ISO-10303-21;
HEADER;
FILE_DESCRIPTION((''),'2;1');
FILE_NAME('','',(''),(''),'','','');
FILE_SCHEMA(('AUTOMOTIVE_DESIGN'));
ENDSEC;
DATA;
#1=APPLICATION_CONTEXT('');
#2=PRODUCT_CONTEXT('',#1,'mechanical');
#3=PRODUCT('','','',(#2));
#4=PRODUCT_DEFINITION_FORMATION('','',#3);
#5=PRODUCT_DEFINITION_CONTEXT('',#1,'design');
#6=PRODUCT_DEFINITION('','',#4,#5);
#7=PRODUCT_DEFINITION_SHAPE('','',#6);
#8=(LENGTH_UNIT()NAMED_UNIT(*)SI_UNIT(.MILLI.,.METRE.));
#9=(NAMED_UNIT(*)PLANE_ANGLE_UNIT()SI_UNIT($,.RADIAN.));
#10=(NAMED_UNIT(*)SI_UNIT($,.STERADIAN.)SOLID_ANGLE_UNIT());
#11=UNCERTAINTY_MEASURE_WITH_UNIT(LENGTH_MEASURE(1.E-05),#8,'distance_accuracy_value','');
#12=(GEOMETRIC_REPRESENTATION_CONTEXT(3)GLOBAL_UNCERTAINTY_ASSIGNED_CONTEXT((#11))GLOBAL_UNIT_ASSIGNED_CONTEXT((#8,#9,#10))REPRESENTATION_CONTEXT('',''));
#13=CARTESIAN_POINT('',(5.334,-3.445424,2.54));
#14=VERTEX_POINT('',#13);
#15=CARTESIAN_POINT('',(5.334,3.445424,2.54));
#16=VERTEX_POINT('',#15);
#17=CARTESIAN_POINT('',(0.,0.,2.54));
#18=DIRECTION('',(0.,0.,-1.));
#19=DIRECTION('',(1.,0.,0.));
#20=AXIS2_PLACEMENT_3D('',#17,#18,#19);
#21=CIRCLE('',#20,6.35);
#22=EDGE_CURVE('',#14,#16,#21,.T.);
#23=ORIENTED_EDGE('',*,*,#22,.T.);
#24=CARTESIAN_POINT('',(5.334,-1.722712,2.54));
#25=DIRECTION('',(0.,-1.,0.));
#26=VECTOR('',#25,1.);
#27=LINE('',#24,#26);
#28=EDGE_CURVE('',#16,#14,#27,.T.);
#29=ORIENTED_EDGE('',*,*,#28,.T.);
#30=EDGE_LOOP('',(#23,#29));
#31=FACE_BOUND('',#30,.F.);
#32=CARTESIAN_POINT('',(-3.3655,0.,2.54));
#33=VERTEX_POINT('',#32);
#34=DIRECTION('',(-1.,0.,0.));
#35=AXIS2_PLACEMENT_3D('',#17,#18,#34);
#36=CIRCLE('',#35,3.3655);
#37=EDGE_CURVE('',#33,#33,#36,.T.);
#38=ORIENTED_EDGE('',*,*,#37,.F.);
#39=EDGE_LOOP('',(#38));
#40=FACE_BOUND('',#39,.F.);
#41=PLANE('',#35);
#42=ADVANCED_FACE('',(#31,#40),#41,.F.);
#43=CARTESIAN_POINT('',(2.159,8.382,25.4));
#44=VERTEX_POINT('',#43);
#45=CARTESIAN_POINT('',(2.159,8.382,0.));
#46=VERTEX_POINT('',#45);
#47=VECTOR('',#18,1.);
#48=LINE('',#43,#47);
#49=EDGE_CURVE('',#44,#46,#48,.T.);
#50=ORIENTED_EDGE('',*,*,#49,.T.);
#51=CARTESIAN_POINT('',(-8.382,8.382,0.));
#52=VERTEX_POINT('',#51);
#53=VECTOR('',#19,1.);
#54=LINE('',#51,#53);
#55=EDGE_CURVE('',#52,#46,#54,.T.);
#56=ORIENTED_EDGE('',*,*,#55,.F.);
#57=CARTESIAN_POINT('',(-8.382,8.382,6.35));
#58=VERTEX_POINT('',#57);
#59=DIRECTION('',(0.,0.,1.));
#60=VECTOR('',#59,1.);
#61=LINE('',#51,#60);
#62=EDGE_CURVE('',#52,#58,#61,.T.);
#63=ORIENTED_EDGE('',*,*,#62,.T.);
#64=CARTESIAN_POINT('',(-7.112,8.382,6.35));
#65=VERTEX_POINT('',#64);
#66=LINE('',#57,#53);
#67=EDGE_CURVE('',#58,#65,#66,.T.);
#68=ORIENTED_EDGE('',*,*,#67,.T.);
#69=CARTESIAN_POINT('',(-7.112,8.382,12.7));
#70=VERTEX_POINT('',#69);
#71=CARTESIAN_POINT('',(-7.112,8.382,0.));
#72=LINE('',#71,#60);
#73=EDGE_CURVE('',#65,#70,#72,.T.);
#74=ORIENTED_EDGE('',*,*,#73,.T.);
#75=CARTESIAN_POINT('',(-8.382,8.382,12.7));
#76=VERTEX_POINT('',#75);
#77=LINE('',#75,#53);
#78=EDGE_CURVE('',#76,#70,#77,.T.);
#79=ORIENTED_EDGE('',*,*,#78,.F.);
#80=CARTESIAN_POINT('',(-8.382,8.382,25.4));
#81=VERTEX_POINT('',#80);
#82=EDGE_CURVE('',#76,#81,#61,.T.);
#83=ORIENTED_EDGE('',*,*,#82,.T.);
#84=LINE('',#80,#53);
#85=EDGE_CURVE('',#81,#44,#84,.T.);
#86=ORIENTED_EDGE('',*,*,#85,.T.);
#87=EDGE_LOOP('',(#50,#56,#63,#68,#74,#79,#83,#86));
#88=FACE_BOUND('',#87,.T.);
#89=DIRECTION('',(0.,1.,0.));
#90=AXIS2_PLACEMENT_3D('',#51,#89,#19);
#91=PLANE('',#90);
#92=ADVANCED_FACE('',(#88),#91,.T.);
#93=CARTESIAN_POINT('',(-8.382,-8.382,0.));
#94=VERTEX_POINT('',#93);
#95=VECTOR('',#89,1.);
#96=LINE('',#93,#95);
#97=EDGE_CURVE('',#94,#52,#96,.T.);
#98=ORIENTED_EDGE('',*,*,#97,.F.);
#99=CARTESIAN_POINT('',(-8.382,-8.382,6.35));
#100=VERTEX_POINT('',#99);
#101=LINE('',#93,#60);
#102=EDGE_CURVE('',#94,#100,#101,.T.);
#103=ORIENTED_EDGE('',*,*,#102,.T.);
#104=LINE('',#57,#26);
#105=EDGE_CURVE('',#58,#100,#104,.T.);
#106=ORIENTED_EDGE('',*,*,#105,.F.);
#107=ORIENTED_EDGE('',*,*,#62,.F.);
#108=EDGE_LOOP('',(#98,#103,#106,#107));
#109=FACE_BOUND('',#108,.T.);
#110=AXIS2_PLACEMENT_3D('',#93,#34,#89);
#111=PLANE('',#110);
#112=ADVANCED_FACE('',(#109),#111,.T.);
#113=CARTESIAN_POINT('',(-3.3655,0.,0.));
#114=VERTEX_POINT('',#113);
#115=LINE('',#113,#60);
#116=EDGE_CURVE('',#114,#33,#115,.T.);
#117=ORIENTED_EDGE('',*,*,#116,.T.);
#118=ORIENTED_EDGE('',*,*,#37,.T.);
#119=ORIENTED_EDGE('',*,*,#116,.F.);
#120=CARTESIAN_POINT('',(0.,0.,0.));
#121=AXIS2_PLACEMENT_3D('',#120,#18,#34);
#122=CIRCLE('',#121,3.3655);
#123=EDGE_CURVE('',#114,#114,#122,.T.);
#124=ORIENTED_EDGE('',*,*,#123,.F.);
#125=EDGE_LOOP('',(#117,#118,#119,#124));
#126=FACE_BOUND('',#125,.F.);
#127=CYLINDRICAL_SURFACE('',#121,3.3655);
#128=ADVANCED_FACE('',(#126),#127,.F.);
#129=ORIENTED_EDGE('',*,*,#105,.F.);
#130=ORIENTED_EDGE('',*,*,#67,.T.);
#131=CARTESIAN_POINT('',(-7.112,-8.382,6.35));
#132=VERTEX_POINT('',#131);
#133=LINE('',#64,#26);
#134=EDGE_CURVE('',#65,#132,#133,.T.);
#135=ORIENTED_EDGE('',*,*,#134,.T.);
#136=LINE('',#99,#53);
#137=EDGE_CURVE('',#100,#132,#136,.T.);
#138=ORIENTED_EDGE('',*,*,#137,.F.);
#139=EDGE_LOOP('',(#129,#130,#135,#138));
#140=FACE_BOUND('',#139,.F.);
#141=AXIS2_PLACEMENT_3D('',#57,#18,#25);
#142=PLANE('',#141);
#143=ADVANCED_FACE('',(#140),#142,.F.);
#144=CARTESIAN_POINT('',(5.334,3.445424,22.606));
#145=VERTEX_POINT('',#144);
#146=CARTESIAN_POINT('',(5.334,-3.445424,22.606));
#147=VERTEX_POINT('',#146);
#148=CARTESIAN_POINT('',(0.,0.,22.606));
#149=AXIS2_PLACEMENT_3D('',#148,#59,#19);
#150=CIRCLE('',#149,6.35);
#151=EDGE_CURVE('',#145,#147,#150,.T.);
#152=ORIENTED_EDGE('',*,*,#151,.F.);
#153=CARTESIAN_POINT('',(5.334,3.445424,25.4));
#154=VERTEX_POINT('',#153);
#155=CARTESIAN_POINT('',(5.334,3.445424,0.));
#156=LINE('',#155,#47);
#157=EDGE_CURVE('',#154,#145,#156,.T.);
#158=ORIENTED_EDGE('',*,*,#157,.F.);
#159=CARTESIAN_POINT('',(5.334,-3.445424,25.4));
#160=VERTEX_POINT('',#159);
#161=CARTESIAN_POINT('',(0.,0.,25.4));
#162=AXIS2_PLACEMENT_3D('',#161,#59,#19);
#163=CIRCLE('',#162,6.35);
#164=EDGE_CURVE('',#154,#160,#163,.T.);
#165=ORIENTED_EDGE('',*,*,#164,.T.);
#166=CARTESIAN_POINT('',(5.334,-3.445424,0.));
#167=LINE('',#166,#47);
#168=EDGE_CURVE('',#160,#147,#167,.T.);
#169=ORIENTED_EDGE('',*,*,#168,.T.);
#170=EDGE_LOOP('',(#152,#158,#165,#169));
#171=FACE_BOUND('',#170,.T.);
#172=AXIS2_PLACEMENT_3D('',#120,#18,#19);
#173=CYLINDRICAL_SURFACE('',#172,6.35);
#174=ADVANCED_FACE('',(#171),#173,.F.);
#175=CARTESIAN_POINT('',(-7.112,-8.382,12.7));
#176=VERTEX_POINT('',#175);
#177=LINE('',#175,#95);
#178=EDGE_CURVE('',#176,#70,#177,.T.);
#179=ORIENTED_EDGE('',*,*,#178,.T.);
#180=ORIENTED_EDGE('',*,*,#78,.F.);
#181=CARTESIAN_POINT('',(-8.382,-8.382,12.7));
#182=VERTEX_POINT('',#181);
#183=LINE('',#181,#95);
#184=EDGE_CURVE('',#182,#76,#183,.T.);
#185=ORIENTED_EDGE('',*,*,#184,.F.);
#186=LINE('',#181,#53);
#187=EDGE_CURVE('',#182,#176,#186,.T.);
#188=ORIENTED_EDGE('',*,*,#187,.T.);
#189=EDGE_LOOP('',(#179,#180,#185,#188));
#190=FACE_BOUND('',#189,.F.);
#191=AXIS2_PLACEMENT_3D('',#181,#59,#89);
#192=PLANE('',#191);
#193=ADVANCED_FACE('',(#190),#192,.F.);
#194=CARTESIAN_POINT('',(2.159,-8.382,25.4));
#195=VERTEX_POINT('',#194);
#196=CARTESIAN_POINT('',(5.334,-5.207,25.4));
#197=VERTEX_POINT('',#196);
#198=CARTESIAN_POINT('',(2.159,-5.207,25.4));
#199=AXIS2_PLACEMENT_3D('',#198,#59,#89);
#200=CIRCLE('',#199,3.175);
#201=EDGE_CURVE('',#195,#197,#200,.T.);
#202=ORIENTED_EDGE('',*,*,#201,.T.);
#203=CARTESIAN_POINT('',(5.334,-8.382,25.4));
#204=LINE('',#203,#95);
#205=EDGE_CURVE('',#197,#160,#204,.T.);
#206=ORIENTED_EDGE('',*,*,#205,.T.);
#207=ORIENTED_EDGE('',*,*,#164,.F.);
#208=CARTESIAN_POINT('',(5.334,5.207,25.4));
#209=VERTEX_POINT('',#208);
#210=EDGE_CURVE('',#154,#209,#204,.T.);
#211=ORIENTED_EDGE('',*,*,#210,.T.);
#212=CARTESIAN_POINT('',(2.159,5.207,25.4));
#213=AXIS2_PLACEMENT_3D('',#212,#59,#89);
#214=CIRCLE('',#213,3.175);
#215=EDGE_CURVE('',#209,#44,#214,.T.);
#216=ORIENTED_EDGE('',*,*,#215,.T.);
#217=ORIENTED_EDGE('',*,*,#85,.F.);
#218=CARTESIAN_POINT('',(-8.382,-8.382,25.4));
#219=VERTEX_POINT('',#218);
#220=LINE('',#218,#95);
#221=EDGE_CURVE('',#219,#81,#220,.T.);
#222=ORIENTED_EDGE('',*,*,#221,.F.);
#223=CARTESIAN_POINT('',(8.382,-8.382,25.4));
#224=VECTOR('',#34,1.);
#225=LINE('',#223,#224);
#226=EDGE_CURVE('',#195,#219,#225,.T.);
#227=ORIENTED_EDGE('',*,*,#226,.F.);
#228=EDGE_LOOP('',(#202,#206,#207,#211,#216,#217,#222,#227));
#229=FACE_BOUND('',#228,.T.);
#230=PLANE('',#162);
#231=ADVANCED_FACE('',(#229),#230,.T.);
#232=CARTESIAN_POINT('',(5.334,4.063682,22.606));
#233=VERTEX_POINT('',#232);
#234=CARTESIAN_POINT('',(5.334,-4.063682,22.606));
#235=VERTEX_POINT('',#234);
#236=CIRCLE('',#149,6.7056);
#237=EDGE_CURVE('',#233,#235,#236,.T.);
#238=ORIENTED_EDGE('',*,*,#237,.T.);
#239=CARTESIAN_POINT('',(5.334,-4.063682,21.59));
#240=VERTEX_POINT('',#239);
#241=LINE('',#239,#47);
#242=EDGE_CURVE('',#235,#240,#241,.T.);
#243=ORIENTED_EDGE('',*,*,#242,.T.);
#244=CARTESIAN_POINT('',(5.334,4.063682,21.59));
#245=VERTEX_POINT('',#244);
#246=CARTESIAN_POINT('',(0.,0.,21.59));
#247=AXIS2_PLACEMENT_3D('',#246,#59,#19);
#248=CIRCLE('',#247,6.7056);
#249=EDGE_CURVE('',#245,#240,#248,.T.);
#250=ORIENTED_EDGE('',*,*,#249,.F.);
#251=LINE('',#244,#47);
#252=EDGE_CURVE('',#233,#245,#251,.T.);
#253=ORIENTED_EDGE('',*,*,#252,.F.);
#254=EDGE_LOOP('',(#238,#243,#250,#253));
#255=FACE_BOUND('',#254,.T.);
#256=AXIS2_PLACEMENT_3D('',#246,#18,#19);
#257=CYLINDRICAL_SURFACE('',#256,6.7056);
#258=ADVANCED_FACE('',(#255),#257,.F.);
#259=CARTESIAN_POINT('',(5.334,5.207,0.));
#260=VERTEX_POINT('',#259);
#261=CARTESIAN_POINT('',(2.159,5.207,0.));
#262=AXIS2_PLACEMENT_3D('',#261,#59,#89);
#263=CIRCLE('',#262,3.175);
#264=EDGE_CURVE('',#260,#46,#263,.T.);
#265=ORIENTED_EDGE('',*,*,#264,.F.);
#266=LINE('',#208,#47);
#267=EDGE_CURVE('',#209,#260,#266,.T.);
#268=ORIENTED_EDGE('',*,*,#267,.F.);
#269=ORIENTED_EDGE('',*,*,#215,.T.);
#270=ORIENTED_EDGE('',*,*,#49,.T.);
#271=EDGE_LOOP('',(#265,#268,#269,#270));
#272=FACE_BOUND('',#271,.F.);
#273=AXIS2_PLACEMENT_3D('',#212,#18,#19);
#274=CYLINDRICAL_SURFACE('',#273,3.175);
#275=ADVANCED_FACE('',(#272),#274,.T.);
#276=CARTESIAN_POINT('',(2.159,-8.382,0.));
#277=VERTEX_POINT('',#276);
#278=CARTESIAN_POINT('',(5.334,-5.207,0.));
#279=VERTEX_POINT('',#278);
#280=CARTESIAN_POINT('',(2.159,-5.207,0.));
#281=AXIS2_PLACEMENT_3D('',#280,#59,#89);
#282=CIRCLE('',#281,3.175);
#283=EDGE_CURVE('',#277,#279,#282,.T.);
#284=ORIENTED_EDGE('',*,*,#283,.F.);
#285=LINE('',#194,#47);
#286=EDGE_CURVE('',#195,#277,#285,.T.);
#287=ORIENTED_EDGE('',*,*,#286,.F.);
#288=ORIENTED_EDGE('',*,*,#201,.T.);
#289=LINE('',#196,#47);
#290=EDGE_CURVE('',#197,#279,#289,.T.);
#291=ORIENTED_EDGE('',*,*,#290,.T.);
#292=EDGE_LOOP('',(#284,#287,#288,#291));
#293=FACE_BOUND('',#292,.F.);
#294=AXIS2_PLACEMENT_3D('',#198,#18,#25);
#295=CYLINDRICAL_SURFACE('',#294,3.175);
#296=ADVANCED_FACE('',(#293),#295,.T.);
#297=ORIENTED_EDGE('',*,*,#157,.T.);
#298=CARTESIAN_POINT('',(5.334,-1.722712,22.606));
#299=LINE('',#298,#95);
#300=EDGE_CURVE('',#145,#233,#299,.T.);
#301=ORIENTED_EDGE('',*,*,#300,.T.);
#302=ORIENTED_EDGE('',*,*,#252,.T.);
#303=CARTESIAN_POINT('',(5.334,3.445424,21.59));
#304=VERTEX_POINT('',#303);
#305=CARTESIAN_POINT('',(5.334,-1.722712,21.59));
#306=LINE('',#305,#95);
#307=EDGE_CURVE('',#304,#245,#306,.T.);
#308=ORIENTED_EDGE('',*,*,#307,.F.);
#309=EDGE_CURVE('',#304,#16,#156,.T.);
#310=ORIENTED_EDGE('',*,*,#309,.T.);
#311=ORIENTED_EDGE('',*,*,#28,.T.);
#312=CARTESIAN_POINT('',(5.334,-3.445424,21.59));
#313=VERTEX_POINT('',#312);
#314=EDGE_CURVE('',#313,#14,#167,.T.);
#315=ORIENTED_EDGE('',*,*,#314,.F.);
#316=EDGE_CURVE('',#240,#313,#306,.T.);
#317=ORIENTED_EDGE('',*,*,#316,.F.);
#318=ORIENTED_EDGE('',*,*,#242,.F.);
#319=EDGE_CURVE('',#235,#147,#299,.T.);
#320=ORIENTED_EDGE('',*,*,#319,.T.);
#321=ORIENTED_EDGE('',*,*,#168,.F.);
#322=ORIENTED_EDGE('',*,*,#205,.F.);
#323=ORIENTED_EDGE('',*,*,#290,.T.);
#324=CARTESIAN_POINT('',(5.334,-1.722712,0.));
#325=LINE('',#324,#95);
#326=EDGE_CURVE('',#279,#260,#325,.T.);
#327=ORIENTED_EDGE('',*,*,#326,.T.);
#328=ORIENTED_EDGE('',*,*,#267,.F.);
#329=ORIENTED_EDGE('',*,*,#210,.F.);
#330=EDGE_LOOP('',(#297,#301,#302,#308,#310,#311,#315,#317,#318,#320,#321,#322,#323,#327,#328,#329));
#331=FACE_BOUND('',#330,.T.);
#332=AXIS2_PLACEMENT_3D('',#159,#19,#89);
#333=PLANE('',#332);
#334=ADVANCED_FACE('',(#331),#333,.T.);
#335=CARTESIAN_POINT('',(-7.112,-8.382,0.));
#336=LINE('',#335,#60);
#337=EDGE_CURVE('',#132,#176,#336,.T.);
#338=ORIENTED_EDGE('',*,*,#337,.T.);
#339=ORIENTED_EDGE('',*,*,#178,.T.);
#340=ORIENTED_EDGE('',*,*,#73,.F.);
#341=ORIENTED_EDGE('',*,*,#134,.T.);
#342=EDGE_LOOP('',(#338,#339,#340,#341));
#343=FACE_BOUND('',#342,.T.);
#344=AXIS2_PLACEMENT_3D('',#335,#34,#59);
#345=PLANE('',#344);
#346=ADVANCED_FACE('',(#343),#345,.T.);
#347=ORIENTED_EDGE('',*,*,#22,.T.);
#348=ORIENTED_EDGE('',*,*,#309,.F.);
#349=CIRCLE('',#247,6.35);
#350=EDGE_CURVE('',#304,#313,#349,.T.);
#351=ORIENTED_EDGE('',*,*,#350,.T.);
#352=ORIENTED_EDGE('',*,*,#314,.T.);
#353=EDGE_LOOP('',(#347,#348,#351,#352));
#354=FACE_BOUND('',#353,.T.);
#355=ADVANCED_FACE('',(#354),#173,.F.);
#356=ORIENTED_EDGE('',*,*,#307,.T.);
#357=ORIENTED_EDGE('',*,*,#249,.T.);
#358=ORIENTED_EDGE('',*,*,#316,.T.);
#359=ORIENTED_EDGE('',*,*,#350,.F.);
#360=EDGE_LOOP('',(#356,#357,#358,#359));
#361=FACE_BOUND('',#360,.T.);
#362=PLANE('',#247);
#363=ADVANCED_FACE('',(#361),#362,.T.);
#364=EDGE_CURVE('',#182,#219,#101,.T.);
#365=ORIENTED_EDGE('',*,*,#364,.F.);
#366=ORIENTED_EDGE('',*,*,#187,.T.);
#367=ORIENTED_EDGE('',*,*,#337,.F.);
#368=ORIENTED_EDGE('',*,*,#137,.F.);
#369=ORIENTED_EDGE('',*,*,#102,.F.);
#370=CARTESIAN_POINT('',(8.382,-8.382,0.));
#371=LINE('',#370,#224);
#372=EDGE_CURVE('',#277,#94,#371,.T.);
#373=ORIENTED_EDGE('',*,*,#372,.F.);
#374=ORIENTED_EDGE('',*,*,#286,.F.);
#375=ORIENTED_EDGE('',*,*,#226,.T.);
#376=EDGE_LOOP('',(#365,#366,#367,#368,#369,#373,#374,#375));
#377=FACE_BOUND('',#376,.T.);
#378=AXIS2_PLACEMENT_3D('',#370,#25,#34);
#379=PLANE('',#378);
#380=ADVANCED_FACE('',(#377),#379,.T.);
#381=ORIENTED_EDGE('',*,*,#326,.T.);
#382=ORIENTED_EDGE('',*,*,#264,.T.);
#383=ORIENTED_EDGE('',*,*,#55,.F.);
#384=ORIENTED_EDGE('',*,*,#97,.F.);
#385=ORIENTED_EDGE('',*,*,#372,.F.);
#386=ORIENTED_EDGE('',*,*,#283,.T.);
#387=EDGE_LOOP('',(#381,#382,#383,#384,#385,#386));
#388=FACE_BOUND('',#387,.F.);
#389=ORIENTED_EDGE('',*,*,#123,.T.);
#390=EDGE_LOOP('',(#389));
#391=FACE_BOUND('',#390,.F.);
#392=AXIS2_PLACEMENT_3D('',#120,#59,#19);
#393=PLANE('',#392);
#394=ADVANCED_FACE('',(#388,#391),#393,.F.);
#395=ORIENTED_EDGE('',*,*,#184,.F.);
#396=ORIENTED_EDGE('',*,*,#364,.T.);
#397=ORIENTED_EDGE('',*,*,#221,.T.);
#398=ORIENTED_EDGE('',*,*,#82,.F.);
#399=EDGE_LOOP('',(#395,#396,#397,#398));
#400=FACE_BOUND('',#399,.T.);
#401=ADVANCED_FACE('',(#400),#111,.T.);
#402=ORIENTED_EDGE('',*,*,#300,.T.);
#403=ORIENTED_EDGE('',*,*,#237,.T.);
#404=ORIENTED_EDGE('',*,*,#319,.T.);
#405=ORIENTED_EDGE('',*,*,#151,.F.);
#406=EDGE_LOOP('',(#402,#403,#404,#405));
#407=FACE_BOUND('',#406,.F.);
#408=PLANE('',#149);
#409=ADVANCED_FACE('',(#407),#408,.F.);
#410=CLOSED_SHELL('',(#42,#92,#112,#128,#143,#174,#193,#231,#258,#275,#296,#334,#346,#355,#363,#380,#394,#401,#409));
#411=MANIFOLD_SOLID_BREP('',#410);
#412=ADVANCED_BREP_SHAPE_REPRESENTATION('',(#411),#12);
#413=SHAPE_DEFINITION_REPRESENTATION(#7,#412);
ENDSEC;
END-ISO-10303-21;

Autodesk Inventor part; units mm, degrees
ref_plane "YZ Plane" through (0, 0, 0) normal (1, 0, 0) x (0, 1, 0)
sketch "Sketch1" plane through (0, 0, 0) normal (0, 0, 1) x (1, 0, 0)
  circle A0 centre (0, 0) radius 6.35
  line L0 (8.382, -8.382) -> (-8.382, -8.382)
  line L1 (-8.382, -8.382) -> (-8.382, 8.382)
  line L2 (-8.382, 8.382) -> (8.382, 8.382)
  line L3 (8.382, 8.382) -> (8.382, -8.382)
  dimension "d10" = 12.7
  dimension "d11" = 2.032
  dimension "d26" = 16.764
  dimension "d28" = 0
  dimension "d29" = 8.382
  dimension "d37" = 2.032
  dimension "d38" = 2.032
  dimension "d39" = 2.032
extrude "Extrusion2" add sketch "Sketch1" along normal blind 25.4
sketch "Sketch2" plane through (-8.382, -8.382, 0) normal (-1, 0, 0) x (0, 0, 1)
  line L0 (25.4, 14.732) -> (25.4, 2.032) projected
  line L1 (0, 2.032) -> (0, 14.732) projected
  line L2 (0, 14.732) -> (25.4, 14.732) projected
  line L3 (0, 2.032) -> (25.4, 2.032) projected
  line L4 (0, 0) -> (0, 16.764) projected
  line L5 (0, 0) -> (25.4, 0) projected
  line L6 (25.4, 16.764) -> (25.4, 0) projected
  line L7 (0, 16.764) -> (25.4, 16.764) projected
  circle A0 centre (6.35, 15.748) radius 1.4224
  circle A1 centre (6.35, 1.016) radius 1.4224
  point P0 (0, 8.382)
  dimension "d17" = 2.032
  dimension "d18" = 2.8448
  dimension "d19" = 2.8448
  dimension "d20" = 1.016
  dimension "d21" = 1.016
  dimension "d22" = 6.35
  dimension "d23" = 6.35
extrude "Extrusion3" [suppressed]
sketch "Sketch3" plane through (0, 0, 0) normal (0, 0, -1) x (-1, 0, 0)
  circle A0 centre (0, 0) radius 3.3655
  circle A1 centre (0, 0) radius 6.35 projected
  dimension "d30" = 6.731
extrude "Extrusion4" add sketch "Sketch3" against normal blind 2.54
ref_plane "Work Plane1" through (0, 0, 21.59) normal (0, 0, 1) x (1, 0, 0)
sketch "Sketch4" plane through (0, 0, 21.59) normal (0, 0, 1) x (1, 0, 0)
  circle A0 centre (0, 0) radius 6.35 projected
  circle A1 centre (0, 0) radius 6.7056
  dimension "d34" = 0.3556
extrude "Extrusion5" cut sketch "Sketch4" along normal blind 1.016
sketch "Sketch5" plane through (-8.382, -8.382, 0) normal (-1, 0, 0) x (0, 0, 1)
  line L0 (0, 0) -> (0, 16.764) projected
  line L1 (0, 0) -> (25.4, 0) projected
  line L2 (25.4, 16.764) -> (25.4, 0) projected
  line L3 (0, 16.764) -> (25.4, 16.764) projected
  line L4 (25.4, 14.732) -> (25.4, 2.032) projected
  line L5 (21.59, 2.032) -> (21.59, 14.732) projected
  line L6 (2.54, 14.732) -> (2.54, 2.032) projected
  line L7 (0, 16.764) -> (25.4, 16.764) projected
  line L8 (6.35, 0) -> (12.7, 0)
  line L9 (12.7, 0) -> (12.7, 16.764)
  line L10 (12.7, 16.764) -> (6.35, 16.764)
  line L11 (6.35, 16.764) -> (6.35, 0)
  point P0 (0, 8.382)
  dimension "d40" = 6.35
  dimension "d41" = 6.35
ref_plane "Work Plane2" through (-6.35, 0, 0) normal (-1, 0, 0) x (0, -1, 0)
extrude "Extrusion6" cut sketch "Sketch5" against normal blind 1.27 contours L11 L3 L9 L1
sketch "Sketch7" plane through (0, 0, 0) normal (0, 0, -1) x (-1, 0, 0)
  line L0 (7.112, -8.382) -> (7.112, 8.382) projected
  line L1 (7.112, 8.382) -> (7.112, -8.382) projected
  point P0 (0, 0)
  dimension "d46" = 7.112
sketch "Sketch8" plane through (0, 0, 25.4) normal (0, 0, 1) x (1, 0, 0)
  circle A0 centre (0, 0) radius 6.35 projected
  circle A1 centre (0, 0) radius 6.7056 projected
  circle A2 centre (0, 0) radius 6.7056 projected
  line L0 (8.382, -8.382) -> (-8.382, -8.382) projected
  line L1 (-8.382, 8.382) -> (8.382, 8.382) projected
  line L2 (8.382, 8.382) -> (8.382, -8.382) projected
  line L3 (5.334, 8.382) -> (8.382, 8.382)
  line L4 (8.382, 8.382) -> (8.382, -8.382)
  line L5 (8.382, -8.382) -> (5.334, -8.382)
  line L6 (5.334, -8.382) -> (5.334, 8.382)
  point P0 (5.207, -8.382)
  point P1 (5.207, -8.382)
  point P2 (-5.207, -8.382)
  dimension "d50" = 3.048
extrude "Extrusion8" cut sketch "Sketch8" against normal through all contours A0 L6 | A0 L6 A1 | L6 L1 L2 L0 A1 picked at (5.5198, -0.7897) picked at (6.4961, 0.8835)
fillet "Fillet3" radius 3.175 2 edges at (5.334, -8.382, 12.7) (5.334, 8.382, 12.7)
equation "\"d37\" = d11"
equation "\"d38\" = d11"
equation "\"d39\" = d11"
equation "\"d20\" = 0.5 * d17"
equation "\"d21\" = d20"
equation "\"d23\" = d22"
properties part number "linear bearing mount" material "Aluminum 6061"
